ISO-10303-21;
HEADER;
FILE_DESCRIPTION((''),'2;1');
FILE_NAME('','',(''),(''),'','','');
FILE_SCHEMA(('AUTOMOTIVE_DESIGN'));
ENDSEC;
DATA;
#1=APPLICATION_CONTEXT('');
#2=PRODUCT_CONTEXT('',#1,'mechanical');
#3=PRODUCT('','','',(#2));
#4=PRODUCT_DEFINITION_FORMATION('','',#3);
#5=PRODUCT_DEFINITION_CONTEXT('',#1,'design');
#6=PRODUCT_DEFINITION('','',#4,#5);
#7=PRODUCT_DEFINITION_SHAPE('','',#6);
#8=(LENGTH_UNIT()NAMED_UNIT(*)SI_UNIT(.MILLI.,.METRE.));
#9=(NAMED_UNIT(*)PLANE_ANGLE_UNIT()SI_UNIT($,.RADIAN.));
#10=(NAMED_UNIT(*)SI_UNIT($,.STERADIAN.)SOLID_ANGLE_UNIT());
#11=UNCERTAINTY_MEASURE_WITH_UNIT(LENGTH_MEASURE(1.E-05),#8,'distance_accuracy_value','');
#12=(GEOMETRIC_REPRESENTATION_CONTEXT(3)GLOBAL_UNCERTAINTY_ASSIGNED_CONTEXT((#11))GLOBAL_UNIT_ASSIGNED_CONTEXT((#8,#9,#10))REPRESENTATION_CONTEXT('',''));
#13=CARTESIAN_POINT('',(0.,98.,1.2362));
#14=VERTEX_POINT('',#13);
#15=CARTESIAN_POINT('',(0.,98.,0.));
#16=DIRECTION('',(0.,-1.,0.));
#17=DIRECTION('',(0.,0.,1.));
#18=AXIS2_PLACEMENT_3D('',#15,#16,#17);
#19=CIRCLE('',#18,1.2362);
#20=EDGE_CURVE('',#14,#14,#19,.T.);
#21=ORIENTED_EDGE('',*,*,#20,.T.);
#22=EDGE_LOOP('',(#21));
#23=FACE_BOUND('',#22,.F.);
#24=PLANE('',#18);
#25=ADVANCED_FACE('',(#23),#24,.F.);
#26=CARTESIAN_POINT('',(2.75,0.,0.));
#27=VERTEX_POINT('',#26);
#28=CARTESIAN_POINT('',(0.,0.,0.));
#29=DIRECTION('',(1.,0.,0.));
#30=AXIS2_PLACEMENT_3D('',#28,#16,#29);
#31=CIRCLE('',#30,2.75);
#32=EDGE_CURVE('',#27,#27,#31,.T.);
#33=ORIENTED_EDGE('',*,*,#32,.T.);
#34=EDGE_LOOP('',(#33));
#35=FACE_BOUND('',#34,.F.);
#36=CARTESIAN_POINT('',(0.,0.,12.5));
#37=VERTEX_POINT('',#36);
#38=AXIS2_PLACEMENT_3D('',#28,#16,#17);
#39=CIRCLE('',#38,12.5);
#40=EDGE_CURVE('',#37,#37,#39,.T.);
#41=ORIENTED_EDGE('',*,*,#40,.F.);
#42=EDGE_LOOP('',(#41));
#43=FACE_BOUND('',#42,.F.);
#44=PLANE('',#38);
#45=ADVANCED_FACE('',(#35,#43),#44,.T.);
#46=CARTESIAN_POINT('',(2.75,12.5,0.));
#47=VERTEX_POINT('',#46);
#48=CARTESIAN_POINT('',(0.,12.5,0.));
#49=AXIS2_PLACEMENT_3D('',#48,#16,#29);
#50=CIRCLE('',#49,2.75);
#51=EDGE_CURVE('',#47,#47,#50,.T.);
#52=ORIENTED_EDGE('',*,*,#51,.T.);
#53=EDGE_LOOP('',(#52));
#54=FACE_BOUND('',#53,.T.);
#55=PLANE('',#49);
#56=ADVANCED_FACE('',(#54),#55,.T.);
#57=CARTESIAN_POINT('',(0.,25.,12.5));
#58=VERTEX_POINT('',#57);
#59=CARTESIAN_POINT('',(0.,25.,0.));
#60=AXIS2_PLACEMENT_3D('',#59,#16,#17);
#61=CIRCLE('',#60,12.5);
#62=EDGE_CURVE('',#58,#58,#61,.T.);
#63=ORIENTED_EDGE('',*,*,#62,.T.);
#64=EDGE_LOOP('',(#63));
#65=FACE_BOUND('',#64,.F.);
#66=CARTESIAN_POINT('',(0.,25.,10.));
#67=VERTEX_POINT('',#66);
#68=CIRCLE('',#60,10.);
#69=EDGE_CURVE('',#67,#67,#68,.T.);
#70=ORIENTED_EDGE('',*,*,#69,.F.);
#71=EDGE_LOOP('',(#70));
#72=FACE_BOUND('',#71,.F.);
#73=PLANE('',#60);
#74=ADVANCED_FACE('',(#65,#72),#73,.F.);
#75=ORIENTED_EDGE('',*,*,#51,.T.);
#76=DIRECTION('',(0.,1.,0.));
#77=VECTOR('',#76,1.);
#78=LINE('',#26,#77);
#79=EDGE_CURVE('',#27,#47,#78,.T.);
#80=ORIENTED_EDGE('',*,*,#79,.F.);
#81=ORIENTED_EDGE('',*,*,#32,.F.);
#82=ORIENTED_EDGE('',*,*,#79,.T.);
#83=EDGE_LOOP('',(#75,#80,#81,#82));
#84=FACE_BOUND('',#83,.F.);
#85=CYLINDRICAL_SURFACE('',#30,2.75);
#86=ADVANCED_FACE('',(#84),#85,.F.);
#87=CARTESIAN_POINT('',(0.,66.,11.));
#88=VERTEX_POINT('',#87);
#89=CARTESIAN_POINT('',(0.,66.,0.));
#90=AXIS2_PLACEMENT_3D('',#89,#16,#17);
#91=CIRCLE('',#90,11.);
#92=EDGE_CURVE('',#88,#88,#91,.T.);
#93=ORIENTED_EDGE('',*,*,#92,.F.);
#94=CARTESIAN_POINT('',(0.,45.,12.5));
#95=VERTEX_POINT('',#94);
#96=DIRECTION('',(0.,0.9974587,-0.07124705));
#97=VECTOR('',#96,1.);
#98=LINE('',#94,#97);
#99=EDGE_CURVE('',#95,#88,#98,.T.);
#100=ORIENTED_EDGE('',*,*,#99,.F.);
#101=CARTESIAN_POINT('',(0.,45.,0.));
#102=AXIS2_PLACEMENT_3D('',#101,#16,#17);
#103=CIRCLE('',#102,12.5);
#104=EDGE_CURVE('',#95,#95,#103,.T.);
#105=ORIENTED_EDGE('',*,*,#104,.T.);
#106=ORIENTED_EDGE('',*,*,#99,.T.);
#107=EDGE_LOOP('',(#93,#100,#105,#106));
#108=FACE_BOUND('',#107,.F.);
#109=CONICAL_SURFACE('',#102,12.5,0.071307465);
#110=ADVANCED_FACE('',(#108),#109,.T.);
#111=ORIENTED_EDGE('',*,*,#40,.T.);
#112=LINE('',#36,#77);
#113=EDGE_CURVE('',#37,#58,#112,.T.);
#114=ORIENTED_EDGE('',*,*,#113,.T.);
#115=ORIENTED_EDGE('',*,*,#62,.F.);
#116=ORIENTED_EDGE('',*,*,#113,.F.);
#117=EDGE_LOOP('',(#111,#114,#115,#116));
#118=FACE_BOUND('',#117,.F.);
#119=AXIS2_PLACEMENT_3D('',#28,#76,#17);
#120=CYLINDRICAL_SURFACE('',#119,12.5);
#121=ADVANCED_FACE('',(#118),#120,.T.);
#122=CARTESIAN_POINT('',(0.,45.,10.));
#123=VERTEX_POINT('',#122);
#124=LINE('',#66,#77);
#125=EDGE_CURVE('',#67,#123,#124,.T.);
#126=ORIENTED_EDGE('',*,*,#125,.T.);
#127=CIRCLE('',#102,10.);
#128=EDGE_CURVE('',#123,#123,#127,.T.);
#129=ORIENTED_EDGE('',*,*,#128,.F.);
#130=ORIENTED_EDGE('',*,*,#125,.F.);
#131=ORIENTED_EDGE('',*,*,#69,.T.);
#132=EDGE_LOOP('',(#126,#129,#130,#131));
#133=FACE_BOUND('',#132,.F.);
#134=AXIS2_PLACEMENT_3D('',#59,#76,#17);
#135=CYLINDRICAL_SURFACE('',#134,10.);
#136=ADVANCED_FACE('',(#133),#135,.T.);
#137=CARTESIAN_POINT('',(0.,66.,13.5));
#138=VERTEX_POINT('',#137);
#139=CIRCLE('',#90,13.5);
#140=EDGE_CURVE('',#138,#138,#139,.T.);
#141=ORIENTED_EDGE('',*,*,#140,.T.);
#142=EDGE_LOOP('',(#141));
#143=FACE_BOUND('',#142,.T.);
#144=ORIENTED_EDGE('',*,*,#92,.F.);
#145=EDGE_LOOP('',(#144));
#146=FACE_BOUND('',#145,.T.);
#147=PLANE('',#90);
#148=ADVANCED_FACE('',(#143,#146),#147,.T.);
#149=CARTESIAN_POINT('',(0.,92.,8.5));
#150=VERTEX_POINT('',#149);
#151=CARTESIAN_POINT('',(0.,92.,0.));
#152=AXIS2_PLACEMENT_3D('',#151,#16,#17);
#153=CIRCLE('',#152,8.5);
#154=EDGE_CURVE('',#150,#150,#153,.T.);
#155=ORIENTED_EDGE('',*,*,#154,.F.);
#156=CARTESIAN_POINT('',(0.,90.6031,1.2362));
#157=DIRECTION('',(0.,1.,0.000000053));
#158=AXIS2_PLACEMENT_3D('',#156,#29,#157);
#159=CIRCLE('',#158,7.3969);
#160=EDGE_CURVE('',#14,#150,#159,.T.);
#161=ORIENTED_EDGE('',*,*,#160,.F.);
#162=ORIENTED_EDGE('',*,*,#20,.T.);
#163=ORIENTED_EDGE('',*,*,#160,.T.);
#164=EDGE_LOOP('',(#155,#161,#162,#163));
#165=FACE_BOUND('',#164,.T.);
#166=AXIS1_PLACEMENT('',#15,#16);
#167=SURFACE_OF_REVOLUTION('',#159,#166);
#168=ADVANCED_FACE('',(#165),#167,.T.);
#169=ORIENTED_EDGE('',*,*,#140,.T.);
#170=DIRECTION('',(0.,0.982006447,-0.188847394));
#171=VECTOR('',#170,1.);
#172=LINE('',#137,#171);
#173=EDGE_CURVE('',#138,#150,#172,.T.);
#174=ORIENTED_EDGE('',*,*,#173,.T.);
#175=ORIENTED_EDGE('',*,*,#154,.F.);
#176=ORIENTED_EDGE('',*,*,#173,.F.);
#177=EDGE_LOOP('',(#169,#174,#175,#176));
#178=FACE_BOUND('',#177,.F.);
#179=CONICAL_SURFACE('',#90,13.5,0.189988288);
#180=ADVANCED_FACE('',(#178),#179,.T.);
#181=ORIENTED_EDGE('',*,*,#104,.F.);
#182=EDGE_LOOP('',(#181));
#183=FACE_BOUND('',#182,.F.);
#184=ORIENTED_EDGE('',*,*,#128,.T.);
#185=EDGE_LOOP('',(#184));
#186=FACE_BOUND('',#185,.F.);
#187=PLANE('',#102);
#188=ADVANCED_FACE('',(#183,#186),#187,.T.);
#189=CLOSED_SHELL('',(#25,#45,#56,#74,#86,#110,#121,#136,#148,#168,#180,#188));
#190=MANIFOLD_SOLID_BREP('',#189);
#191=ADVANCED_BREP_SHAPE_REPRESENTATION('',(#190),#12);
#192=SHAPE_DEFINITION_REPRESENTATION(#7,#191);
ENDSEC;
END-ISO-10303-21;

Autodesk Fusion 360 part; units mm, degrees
sketch "Sketch1" plane through (0, 0, 0) normal (1, 0, 0) x (0, 1, 0)
  line L0 (0, 0) -> (0, 12.5)
  line L1 (0, 12.5) -> (25, 12.5)
  line L2 (25, 12.5) -> (25, 10)
  line L3 (25, 10) -> (45, 10)
  line L4 (45, 10) -> (45, 12.5)
  line L5 (45, 12.5) -> (66, 12.5) construction
  line L6 (66, 12.5) -> (66, 11)
  line L7 (45, 12.5) -> (66, 11)
  line L8 (66, 12.5) -> (66, 13.5)
  line L9 (66, 13.5) -> (92, 13.5) construction
  line L10 (92, 13.5) -> (92, 8.5) construction
  line L11 (66, 13.5) -> (92, 8.5)
  line L12 (66, 13.5) -> (98, 13.5) construction
  line L13 (98, 13.5) -> (98, 0)
  arc A0 (98, 1.2362) -> (92, 8.5) centre (90.6031, 1.2362) ccw
  line L14 (98, 0) -> (0, 0)
  dimension "d1" = 12.5
  dimension "d2" = 25
  dimension "d4" = 20
  dimension "d6" = 21
  dimension "d9" = 26
  dimension "d10" = 5
  dimension "d11" = 13.5
  dimension "d12" = 12.5
  dimension "d13" = 10
  dimension "d14" = 11
  dimension "d15" = 32
  dimension "d16" = 7.3969
revolve "Revolve1" add sketch "Sketch1" angle 360 about axis through (0, 98, 0) along (0, -1, 0)
sketch "Sketch3" plane through (0, 0, 0) normal (0, -1, 0) x (1, 0, 0)
  circle A0 centre (0, 0) radius 12.5
  circle A1 centre (0, 0) radius 2.75
  dimension "d26" = 5.5
extrude "Extrude2" cut sketch "Sketch3" against normal blind 12.5 contours A1
equation "d1 = 25 mm / 2"
